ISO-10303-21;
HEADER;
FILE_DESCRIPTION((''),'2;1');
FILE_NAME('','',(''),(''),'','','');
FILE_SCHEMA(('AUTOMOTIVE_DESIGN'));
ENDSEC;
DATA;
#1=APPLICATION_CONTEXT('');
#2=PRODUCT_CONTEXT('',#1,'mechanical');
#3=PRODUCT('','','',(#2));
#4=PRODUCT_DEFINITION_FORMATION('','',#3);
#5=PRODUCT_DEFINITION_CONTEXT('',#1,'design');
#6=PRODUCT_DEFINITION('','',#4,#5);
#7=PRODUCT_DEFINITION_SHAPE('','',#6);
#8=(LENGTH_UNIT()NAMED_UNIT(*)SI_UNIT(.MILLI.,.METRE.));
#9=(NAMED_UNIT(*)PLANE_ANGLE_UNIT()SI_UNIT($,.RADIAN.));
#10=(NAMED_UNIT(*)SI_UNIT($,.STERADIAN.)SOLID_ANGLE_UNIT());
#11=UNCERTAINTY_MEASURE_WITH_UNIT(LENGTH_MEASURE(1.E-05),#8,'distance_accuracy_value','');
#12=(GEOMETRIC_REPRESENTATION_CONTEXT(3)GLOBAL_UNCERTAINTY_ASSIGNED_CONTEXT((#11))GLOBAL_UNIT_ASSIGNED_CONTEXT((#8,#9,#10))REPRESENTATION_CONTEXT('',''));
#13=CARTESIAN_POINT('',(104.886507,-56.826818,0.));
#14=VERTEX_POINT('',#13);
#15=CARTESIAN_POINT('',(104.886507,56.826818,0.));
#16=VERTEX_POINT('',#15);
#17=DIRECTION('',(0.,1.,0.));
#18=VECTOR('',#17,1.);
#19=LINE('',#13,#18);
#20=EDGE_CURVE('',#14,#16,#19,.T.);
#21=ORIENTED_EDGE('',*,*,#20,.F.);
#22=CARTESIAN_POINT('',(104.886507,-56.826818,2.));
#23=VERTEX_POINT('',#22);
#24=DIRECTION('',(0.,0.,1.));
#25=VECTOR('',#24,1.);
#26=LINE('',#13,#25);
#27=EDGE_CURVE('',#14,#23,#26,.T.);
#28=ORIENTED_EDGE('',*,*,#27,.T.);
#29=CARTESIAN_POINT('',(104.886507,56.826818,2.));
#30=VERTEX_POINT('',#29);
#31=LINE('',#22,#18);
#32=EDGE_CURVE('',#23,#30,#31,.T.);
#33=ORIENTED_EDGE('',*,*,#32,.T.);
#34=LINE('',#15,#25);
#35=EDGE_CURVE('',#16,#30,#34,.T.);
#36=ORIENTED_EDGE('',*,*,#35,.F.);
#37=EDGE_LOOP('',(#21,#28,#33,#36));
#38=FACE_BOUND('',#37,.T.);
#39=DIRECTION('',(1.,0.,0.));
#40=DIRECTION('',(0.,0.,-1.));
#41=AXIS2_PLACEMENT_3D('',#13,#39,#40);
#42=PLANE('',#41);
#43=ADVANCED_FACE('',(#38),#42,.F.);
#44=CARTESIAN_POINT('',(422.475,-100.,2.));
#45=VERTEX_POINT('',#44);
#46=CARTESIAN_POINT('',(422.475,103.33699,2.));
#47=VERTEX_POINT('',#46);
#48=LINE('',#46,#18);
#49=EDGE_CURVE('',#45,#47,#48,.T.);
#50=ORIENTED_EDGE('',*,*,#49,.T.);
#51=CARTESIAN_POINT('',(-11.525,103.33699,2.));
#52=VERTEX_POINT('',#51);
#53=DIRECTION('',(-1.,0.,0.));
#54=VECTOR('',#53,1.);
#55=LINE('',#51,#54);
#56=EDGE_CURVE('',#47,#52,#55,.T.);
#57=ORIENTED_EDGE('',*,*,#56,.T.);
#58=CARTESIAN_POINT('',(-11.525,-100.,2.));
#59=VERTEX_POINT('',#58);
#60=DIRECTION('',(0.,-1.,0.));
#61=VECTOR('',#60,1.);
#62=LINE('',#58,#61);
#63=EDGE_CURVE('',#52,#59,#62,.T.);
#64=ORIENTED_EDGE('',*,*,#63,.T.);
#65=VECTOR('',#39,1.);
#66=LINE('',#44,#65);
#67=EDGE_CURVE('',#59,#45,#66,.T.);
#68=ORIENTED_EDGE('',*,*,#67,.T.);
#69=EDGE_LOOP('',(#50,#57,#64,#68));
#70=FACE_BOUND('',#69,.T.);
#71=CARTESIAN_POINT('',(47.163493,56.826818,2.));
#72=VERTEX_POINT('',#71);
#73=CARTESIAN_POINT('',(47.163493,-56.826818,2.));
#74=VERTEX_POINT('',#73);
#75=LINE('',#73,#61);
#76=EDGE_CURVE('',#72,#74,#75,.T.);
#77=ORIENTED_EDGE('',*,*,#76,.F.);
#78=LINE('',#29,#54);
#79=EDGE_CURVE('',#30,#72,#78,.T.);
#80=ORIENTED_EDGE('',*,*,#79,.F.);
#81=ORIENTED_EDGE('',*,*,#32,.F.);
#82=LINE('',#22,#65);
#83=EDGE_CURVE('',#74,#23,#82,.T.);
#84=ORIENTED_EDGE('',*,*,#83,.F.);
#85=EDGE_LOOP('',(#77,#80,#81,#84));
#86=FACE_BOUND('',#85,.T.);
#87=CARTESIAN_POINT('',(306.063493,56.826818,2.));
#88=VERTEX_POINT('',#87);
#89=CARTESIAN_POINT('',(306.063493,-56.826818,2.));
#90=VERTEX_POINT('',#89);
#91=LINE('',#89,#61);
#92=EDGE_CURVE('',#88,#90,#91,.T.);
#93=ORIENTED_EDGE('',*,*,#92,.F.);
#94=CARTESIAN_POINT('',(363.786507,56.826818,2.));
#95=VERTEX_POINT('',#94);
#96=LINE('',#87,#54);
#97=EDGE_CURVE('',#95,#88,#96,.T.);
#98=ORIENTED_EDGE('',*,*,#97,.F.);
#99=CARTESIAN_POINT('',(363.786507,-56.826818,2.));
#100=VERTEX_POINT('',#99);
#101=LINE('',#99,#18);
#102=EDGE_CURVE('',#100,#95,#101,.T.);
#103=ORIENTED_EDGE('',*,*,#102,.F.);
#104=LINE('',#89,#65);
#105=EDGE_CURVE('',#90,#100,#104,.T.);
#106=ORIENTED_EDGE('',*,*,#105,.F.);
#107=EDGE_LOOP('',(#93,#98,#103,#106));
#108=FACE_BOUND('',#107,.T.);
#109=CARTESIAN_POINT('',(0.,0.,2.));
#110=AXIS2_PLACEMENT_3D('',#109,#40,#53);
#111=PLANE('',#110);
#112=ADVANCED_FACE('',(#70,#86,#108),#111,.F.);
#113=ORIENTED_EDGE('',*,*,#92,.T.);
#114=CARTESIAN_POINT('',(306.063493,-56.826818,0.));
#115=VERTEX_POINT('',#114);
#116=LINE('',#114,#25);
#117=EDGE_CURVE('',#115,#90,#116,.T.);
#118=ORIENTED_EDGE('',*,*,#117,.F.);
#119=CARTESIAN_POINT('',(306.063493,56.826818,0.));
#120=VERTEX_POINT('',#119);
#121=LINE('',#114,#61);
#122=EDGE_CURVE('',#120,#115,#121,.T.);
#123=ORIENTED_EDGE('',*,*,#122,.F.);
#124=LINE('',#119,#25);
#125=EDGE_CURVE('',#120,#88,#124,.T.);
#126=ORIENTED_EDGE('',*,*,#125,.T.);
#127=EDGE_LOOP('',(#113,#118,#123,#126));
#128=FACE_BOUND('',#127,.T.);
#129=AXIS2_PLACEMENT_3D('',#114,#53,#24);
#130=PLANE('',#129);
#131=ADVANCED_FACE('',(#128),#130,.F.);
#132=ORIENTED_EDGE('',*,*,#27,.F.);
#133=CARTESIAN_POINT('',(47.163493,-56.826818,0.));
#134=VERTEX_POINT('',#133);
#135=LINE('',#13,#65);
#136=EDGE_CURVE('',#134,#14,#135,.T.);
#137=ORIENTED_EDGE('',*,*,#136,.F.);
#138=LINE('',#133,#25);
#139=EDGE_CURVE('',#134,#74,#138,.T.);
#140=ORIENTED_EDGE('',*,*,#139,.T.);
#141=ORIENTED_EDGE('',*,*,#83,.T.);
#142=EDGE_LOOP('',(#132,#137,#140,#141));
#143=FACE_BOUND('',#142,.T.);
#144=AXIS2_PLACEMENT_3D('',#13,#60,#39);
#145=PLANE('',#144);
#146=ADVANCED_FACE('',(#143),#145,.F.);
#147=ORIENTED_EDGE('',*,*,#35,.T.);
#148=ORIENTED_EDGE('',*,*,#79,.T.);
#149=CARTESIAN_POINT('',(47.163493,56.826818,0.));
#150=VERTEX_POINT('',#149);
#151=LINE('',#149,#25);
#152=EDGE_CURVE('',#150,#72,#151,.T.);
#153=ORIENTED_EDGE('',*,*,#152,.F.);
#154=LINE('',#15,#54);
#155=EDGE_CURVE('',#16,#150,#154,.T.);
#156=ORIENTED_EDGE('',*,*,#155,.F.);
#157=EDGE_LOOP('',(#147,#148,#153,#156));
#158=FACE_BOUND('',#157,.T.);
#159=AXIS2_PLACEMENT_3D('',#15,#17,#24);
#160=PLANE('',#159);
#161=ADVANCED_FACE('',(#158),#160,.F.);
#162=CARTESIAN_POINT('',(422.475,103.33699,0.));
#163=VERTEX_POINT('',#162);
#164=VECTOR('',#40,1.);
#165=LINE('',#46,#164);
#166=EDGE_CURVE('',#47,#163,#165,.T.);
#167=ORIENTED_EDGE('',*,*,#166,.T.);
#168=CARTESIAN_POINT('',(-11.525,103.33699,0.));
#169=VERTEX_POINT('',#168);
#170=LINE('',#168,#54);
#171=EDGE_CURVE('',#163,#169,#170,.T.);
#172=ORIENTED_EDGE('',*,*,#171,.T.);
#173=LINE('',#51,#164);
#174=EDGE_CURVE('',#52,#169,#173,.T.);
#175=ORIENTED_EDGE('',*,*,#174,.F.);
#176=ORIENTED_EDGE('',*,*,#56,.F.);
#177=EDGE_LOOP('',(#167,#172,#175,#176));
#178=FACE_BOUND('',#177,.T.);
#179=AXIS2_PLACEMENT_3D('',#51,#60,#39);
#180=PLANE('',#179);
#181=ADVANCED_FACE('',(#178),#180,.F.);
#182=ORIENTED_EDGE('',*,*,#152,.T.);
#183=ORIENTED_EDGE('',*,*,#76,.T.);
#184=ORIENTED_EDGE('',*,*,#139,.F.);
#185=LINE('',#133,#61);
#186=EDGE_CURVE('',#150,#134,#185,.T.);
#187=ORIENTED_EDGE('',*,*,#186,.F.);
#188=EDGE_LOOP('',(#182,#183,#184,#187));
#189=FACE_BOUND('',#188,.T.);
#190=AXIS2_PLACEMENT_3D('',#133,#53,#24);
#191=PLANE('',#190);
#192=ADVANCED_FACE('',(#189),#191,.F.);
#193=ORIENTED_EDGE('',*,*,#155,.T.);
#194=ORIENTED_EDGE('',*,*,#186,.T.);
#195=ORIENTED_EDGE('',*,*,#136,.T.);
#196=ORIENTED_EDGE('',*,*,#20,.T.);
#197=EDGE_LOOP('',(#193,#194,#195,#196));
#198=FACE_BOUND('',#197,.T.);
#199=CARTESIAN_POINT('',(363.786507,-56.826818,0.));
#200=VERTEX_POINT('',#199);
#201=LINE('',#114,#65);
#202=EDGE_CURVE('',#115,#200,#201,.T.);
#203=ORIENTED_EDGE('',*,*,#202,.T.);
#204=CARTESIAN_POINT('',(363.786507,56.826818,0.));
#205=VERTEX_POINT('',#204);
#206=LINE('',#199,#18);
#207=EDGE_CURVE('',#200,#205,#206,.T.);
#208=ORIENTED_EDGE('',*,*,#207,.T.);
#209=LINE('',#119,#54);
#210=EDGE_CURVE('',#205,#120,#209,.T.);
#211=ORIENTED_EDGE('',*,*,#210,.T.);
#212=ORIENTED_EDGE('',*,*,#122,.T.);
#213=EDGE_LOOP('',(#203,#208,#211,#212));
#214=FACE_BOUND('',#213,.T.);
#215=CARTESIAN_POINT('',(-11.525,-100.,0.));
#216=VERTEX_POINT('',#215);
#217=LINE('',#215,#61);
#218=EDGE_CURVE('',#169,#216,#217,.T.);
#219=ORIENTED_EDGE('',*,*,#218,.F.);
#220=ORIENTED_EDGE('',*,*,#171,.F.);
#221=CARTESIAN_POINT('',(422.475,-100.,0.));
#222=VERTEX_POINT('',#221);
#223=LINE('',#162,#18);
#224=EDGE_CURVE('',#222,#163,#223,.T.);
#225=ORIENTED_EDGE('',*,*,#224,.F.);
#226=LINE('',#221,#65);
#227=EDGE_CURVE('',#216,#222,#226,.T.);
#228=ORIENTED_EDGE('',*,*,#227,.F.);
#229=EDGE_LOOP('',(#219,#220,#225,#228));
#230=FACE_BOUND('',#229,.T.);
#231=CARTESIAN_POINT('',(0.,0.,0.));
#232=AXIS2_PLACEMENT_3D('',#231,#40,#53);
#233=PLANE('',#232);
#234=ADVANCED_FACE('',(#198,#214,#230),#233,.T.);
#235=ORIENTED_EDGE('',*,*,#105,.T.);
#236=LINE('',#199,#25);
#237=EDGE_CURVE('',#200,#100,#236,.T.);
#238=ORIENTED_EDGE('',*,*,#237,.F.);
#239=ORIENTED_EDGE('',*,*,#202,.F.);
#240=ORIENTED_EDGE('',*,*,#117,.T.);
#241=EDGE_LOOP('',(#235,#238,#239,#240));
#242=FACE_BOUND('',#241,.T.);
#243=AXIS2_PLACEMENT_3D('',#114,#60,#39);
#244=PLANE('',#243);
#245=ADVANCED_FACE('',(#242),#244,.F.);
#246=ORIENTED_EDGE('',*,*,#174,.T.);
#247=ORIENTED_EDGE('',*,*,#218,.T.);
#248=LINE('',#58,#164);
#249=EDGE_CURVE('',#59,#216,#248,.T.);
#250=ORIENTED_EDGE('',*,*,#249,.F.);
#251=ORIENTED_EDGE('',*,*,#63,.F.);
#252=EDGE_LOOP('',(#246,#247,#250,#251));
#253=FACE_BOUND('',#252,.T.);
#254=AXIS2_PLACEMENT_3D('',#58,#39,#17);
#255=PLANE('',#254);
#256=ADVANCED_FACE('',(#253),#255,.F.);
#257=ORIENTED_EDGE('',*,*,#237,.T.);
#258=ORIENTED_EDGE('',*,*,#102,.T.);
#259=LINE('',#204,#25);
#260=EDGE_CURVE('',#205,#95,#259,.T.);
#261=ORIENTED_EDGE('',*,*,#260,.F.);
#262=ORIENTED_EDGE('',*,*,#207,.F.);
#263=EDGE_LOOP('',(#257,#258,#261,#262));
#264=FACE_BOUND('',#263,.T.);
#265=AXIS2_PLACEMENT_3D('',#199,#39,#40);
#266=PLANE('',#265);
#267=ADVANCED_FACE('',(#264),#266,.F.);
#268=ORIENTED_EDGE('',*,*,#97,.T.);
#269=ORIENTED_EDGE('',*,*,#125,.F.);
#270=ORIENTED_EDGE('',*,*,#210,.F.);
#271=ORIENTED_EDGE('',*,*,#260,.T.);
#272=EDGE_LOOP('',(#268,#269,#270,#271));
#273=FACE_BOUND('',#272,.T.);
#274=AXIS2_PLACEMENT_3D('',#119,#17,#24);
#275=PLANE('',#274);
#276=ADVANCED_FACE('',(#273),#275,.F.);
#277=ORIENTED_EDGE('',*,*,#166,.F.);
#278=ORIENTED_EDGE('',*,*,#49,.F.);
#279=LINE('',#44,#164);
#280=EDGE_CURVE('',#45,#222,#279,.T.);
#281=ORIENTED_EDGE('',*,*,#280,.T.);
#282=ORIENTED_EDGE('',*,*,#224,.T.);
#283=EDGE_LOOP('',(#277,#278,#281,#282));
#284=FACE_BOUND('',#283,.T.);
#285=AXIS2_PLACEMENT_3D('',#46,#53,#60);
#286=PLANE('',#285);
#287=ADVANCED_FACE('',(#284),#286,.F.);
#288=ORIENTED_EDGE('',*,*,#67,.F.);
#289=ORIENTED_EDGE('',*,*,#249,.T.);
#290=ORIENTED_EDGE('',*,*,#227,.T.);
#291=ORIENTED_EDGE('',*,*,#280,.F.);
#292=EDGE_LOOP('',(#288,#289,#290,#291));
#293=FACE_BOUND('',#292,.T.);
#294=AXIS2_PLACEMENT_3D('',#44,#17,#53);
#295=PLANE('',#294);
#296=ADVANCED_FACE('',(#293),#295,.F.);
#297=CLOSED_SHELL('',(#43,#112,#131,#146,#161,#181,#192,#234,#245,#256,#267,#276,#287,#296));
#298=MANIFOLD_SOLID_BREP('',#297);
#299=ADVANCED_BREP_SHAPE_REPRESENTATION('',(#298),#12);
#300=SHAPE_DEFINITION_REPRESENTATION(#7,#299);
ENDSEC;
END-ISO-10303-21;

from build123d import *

# Parameters (mm, degrees)
SKETCH1_W           = 434
SKETCH1_H           = 203.336989564
BOSS_EXTRUDE1_DEPTH = 2
SKETCH2_W           = 57.723013192
SKETCH2_H           = 113.65363529
CUT_EXTRUDE1_DEPTH  = 435.934085853


with BuildPart() as part:
    # Sketch1 → Boss-Extrude1 (new body)
    with BuildSketch(Plane.XY):
        with Locations((205.475, 1.668494782)):
            Rectangle(SKETCH1_W, SKETCH1_H)
    extrude(amount=BOSS_EXTRUDE1_DEPTH)

    # Sketch2 → Cut-Extrude1 (cut, through all)
    with BuildSketch(Plane.XY.offset(2)):
        with Locations((76.025, 0)):
            Rectangle(SKETCH2_W, SKETCH2_H)
        with Locations((334.925, 0)):
            Rectangle(SKETCH2_W, SKETCH2_H)
    extrude(amount=-CUT_EXTRUDE1_DEPTH, mode=Mode.SUBTRACT)


solid = part.part
